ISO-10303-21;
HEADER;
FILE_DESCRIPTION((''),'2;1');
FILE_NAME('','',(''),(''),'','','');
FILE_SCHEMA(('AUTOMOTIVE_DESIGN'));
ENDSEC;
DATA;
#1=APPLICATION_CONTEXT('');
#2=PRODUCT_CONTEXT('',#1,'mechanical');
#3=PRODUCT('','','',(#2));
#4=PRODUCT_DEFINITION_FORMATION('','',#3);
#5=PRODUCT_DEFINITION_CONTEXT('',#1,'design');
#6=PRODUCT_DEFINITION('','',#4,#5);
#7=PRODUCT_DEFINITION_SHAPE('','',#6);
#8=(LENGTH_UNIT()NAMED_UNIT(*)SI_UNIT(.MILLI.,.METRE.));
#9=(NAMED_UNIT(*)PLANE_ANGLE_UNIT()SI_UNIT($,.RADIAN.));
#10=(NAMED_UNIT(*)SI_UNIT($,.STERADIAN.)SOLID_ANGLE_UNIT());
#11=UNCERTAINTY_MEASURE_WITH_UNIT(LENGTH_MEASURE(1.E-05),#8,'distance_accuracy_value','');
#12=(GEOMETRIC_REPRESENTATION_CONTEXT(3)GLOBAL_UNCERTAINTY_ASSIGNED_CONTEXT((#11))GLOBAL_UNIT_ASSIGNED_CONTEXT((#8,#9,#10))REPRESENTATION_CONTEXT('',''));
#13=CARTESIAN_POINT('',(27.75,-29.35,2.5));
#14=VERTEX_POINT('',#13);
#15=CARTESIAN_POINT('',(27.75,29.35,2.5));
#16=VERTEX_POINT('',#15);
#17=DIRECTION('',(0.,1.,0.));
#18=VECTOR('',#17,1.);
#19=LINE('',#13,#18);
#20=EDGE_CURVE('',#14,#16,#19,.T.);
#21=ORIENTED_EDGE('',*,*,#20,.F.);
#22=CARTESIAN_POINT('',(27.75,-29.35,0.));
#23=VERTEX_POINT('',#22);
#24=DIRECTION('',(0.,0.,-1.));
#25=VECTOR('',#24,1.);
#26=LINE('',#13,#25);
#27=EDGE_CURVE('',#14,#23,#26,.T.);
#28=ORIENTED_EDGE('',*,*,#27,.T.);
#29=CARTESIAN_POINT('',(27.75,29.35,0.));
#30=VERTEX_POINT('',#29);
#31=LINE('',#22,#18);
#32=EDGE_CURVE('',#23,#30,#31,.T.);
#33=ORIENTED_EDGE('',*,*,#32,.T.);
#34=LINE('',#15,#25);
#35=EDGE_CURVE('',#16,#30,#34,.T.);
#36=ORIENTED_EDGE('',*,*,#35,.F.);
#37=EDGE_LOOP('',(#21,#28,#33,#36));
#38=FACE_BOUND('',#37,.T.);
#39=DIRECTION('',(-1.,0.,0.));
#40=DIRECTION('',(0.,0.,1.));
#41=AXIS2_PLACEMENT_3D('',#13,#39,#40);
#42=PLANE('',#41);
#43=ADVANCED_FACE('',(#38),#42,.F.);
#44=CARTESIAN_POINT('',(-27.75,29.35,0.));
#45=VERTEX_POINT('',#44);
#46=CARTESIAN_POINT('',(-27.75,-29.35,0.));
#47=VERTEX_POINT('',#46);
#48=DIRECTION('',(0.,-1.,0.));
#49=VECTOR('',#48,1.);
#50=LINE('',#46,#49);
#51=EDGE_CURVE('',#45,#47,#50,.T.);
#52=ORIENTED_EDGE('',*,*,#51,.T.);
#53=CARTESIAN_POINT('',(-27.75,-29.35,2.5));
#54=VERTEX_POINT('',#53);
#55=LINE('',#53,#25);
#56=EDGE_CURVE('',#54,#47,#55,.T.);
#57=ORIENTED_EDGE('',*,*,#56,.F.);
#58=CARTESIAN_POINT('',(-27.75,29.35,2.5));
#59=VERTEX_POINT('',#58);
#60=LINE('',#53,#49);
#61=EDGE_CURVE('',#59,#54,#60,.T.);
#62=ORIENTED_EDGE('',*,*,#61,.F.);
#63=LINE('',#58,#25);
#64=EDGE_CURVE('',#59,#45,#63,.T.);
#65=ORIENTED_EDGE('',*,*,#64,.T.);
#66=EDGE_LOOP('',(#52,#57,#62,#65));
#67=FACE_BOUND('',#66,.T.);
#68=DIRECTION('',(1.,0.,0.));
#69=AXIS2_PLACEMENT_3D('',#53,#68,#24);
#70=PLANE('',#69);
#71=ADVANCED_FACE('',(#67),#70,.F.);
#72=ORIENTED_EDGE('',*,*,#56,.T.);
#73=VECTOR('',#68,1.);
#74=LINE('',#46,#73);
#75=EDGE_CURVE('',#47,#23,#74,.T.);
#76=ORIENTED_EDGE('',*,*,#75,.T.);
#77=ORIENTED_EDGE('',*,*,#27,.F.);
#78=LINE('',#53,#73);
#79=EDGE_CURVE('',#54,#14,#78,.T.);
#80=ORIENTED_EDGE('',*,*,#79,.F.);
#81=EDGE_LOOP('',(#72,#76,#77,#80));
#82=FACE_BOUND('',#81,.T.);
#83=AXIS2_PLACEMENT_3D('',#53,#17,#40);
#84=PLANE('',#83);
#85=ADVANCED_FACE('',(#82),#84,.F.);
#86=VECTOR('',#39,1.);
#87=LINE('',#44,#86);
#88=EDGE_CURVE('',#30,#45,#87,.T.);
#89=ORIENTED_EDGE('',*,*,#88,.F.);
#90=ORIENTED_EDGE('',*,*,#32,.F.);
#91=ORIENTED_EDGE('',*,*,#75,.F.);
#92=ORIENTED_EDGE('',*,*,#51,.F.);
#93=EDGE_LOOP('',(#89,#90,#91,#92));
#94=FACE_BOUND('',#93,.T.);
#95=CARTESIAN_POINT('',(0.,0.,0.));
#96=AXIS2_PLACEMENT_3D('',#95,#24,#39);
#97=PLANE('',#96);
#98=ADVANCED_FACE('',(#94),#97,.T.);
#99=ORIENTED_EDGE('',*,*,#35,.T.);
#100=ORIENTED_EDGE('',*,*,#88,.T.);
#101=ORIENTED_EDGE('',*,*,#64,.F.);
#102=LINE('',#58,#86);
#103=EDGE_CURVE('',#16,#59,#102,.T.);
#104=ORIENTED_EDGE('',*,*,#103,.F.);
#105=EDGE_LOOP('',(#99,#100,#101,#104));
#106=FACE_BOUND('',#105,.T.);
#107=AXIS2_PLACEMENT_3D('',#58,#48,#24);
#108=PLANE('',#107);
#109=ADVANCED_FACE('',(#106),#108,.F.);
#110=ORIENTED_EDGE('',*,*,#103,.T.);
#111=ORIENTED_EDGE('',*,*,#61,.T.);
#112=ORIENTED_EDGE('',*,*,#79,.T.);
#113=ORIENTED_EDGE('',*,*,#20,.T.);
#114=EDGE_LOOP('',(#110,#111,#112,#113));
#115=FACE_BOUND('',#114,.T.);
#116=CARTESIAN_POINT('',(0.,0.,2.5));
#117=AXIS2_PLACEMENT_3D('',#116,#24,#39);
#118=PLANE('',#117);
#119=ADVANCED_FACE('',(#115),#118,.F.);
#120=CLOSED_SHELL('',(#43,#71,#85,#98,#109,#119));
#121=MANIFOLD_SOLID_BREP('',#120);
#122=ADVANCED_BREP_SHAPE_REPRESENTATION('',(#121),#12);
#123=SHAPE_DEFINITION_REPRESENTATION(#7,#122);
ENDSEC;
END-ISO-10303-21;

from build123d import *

# Parameters (mm, degrees)
SKETCH1_W           = 55.5
SKETCH1_H           = 58.7
BOSS_EXTRUDE1_DEPTH = 2.5


with BuildPart() as part:
    # Sketch1 → Boss-Extrude1 (new body)
    with BuildSketch(Plane.XY):
        Rectangle(SKETCH1_W, SKETCH1_H)
    extrude(amount=BOSS_EXTRUDE1_DEPTH)


solid = part.part
